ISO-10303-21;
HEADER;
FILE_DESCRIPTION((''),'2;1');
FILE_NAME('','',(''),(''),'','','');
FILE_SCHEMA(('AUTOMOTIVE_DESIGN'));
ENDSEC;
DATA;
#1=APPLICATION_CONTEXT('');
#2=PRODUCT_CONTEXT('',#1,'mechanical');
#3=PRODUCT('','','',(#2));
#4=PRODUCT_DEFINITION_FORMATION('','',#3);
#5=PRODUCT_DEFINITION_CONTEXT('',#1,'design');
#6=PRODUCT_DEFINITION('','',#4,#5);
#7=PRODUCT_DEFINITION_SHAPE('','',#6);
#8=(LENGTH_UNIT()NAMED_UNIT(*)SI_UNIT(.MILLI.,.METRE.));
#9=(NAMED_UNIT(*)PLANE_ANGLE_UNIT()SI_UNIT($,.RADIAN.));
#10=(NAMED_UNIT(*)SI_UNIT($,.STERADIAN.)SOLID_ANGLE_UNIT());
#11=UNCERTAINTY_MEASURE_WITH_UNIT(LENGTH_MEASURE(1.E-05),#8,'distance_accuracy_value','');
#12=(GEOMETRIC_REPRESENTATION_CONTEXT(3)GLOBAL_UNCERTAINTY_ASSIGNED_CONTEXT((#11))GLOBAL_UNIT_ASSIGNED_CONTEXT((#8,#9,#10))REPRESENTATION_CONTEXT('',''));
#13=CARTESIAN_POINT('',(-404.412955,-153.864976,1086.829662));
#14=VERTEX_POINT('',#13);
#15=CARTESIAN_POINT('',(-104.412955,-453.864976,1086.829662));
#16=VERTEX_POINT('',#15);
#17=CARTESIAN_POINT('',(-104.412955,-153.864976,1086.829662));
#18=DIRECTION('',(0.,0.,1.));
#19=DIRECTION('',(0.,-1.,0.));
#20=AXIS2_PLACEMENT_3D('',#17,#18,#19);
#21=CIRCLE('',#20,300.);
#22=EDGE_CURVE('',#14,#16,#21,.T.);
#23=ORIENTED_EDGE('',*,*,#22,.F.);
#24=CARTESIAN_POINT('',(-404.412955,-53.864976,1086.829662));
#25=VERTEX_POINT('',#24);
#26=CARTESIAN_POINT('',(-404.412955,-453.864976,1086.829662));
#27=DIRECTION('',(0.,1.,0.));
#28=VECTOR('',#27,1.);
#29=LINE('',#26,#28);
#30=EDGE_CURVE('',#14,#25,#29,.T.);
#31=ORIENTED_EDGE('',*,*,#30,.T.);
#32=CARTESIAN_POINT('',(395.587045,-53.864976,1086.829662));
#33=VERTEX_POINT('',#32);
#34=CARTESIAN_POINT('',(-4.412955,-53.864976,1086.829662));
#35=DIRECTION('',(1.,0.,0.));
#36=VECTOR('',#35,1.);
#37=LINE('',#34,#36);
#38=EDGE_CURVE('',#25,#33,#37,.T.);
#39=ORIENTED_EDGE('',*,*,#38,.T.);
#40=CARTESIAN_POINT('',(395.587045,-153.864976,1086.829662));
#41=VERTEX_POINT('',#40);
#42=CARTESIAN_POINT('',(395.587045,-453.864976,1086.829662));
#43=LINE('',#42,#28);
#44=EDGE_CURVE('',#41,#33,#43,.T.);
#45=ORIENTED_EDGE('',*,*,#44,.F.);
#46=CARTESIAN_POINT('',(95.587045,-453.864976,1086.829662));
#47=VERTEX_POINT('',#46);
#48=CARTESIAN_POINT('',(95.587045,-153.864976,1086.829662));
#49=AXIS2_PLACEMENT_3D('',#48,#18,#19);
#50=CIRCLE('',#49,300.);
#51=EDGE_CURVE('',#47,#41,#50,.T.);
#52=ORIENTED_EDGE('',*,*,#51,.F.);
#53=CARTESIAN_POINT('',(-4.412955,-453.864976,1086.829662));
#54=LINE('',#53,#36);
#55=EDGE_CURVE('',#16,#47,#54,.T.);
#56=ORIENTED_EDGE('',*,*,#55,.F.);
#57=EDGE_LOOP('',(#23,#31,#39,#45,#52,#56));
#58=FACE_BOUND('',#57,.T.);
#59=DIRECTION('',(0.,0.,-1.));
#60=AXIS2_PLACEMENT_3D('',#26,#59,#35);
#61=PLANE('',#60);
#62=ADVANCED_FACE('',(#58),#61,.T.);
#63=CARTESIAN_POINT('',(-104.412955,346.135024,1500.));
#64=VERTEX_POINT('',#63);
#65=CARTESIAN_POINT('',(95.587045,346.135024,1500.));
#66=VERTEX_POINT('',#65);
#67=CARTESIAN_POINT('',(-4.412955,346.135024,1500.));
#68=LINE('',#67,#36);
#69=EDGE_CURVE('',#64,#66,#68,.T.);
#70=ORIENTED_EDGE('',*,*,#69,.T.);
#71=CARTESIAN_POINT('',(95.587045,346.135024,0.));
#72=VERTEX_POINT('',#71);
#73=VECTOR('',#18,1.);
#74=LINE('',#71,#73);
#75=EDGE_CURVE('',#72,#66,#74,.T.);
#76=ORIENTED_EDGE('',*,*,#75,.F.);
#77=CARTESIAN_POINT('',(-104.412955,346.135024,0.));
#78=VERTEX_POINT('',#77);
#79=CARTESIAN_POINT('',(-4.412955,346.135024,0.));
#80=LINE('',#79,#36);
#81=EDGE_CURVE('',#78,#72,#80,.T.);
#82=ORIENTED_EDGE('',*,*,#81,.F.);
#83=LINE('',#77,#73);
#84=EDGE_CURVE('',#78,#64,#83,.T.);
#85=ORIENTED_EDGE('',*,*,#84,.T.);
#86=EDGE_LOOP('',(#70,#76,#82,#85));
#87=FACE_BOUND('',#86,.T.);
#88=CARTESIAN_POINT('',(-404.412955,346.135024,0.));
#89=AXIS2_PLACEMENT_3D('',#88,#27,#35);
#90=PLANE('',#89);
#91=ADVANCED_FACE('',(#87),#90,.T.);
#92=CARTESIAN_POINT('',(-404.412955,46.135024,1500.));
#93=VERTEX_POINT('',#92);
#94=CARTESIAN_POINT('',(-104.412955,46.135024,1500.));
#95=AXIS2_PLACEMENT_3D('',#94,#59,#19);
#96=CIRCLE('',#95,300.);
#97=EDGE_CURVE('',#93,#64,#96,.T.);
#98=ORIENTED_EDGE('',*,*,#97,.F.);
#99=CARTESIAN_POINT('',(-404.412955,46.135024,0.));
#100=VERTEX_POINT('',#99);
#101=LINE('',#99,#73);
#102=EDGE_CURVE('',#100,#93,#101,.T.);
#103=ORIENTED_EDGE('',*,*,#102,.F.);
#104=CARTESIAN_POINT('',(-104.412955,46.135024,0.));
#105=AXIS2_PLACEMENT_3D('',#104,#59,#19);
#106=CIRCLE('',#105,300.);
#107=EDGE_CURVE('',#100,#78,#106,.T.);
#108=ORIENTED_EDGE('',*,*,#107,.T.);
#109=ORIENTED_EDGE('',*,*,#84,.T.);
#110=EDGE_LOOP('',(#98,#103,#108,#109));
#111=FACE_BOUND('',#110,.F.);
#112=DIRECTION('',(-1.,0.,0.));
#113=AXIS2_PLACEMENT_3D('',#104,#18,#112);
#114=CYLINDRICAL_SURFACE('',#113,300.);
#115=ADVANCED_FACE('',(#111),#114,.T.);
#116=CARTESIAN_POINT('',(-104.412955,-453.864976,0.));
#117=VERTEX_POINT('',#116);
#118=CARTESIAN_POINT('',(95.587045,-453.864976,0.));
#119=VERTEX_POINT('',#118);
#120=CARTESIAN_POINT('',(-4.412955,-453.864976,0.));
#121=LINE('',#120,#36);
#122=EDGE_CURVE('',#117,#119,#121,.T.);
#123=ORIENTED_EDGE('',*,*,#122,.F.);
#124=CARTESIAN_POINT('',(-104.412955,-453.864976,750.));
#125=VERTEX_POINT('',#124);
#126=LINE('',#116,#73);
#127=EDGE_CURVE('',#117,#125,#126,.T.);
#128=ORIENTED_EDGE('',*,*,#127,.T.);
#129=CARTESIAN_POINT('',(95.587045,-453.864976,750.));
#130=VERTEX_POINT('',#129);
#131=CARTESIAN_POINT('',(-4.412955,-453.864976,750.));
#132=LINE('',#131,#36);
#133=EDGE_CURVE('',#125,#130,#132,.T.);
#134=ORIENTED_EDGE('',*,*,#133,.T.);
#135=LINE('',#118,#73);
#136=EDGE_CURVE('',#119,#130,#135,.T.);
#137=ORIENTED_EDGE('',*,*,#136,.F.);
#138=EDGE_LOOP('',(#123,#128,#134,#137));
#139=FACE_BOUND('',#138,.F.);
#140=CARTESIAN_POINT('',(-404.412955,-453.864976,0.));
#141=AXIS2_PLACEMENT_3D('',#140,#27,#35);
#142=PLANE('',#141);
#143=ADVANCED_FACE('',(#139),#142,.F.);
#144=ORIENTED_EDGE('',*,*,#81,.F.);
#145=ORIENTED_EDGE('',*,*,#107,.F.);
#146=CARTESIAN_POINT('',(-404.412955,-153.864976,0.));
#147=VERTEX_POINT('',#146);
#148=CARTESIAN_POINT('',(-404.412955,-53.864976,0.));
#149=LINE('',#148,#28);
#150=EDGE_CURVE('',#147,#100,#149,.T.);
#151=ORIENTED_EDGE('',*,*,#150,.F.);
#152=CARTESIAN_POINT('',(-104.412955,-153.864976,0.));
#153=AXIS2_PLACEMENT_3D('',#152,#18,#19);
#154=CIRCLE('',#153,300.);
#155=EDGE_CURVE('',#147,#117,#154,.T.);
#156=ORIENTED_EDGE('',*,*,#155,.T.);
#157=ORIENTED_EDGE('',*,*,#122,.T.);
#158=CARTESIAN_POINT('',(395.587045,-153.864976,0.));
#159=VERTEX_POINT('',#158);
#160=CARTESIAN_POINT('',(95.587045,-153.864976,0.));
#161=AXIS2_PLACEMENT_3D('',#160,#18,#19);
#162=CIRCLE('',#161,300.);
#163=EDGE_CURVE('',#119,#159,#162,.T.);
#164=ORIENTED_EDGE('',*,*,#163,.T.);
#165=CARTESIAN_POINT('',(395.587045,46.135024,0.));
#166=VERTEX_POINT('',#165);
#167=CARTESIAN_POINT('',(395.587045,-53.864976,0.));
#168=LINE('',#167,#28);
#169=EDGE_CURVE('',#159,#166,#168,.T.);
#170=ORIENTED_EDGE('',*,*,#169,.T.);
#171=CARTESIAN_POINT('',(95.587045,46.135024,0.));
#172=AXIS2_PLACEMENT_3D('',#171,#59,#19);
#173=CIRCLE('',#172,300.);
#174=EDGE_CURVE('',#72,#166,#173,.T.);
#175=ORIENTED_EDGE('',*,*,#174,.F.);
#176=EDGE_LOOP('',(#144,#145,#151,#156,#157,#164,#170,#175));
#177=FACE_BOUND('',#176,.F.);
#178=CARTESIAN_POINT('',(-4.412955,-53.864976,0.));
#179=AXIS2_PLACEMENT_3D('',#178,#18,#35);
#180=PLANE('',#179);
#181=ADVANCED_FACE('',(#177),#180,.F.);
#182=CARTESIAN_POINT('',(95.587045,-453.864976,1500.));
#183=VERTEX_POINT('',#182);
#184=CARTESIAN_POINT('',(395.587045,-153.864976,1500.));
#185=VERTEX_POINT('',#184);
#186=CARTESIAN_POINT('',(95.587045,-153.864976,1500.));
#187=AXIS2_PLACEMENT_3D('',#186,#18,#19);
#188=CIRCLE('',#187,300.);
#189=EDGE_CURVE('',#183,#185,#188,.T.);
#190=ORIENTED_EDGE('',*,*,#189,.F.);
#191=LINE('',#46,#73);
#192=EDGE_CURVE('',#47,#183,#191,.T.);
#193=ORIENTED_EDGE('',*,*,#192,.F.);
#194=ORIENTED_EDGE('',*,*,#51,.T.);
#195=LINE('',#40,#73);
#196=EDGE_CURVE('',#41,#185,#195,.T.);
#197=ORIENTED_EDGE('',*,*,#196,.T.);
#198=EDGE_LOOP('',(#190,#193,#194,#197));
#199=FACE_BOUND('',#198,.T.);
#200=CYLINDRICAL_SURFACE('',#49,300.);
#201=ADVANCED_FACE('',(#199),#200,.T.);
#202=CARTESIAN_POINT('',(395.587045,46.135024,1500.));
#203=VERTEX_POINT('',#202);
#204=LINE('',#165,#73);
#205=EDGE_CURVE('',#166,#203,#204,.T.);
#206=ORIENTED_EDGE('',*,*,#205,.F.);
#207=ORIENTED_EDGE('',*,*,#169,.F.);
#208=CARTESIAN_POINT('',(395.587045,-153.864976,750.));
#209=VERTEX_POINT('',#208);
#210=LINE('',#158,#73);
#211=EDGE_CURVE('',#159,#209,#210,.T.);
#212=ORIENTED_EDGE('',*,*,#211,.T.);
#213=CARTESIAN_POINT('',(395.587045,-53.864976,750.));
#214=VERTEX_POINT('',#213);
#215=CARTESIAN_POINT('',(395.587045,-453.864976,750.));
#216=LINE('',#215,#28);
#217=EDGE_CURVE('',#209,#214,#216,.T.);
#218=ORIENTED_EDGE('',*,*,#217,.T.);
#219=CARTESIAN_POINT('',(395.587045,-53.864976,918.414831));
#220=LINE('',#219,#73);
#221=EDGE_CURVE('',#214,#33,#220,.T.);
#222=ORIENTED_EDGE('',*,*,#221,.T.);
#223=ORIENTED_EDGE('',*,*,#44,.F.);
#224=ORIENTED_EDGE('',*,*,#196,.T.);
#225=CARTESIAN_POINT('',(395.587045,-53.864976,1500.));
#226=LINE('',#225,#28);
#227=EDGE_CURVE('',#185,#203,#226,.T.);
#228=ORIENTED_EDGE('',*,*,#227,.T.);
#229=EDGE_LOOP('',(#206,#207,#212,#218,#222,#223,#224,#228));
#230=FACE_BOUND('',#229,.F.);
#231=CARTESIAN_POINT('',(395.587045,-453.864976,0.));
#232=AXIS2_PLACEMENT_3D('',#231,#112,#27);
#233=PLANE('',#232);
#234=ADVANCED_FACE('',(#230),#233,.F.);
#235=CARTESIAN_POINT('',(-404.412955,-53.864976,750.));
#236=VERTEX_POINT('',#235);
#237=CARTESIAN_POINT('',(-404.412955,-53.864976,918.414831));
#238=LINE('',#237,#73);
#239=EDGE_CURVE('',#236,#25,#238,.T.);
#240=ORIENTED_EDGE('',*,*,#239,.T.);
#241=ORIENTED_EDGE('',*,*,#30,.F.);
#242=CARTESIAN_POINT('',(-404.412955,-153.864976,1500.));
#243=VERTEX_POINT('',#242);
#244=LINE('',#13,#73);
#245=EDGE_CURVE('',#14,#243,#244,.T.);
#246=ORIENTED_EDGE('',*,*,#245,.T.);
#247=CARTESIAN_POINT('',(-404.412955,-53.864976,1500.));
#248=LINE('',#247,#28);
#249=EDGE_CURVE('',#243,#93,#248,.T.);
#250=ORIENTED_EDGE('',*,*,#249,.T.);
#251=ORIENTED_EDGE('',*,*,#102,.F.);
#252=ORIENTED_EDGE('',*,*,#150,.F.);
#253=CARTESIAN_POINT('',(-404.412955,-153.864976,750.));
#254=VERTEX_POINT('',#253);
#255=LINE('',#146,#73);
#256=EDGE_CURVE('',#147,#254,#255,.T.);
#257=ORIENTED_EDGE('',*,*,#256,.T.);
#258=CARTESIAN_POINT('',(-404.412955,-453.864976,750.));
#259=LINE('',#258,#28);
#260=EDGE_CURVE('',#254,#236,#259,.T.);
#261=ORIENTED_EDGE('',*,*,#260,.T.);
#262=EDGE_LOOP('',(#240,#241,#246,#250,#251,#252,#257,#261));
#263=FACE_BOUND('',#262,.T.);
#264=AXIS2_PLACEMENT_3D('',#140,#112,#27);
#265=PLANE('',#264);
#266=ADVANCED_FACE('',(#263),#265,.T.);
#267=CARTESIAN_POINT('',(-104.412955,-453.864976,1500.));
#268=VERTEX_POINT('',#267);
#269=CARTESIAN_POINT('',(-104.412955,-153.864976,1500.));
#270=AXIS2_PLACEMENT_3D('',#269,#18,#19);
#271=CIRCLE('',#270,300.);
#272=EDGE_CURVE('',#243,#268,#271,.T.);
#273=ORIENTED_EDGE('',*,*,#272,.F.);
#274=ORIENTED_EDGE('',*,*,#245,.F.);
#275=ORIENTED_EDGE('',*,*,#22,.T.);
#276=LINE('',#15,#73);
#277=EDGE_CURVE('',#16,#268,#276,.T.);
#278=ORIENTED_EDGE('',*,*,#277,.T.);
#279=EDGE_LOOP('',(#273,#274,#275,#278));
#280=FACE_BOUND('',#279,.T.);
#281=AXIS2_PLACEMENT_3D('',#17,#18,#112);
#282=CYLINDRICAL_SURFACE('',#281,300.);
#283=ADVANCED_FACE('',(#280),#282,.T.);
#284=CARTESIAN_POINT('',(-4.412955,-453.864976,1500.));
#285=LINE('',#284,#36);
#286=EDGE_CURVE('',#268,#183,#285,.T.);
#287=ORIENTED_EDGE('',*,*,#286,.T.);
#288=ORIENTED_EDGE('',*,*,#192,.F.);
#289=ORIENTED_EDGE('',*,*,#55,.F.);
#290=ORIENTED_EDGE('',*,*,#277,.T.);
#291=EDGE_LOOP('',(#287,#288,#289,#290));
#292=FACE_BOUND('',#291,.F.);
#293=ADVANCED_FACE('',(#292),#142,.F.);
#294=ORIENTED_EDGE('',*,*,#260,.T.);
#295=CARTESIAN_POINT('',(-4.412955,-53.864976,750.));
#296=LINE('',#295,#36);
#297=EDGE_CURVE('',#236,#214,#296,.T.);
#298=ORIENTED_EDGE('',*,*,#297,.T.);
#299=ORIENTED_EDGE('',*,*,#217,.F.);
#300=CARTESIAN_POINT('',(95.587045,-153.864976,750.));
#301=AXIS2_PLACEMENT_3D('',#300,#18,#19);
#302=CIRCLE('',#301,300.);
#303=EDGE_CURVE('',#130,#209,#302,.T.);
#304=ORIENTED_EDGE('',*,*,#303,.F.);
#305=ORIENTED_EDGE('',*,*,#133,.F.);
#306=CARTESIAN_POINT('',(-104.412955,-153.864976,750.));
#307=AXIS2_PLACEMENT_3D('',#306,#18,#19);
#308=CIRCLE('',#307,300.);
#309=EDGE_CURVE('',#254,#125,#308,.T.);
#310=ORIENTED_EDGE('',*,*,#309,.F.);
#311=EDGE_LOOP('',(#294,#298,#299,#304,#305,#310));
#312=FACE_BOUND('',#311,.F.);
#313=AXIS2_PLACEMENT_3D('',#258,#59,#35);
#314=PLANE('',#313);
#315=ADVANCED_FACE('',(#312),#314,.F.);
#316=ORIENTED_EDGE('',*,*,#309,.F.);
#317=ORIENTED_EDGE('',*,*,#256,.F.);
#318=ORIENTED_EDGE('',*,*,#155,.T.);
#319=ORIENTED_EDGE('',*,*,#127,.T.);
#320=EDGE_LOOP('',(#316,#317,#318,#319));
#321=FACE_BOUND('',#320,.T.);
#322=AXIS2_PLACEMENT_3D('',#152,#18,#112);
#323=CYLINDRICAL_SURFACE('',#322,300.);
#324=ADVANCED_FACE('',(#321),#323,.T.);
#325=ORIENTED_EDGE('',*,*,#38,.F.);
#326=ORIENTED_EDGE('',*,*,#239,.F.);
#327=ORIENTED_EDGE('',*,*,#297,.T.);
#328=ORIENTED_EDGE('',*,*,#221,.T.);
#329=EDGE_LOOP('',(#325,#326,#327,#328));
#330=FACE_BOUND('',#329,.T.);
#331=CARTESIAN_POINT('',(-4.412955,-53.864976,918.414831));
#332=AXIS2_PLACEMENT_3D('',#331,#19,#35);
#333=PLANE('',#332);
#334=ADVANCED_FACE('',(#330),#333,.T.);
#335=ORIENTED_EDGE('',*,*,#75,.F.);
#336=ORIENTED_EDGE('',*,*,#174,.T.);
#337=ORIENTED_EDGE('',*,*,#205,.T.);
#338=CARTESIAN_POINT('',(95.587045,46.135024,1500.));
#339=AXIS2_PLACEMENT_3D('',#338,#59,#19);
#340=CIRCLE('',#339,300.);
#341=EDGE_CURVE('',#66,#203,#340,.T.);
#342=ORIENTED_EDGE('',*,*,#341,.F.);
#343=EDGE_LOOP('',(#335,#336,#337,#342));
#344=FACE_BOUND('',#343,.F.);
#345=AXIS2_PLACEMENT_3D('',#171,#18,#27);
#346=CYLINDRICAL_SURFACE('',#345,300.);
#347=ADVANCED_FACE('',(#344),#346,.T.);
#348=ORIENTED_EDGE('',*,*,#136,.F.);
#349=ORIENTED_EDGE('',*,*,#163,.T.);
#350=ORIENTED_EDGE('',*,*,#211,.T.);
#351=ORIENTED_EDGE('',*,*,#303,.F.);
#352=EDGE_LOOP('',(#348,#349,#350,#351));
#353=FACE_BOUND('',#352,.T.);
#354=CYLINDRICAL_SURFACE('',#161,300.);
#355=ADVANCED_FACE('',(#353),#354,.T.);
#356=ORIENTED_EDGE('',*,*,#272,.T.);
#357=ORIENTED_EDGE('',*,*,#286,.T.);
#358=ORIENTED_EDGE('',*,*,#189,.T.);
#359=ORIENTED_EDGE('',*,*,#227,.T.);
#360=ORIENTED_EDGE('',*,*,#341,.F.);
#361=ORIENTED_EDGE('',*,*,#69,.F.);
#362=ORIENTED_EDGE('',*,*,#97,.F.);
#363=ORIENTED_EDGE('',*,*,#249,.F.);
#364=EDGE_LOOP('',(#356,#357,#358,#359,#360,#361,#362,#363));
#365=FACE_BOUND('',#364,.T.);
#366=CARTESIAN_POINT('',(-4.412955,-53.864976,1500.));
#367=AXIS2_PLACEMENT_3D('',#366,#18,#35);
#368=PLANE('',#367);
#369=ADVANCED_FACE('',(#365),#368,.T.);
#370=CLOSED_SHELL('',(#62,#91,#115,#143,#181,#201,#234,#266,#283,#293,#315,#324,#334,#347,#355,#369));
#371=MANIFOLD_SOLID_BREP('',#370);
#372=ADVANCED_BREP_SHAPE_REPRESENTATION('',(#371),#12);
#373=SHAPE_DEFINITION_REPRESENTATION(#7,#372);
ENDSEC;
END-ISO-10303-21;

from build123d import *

# Parameters (mm, degrees)
F0_W     = 800
F0_H     = 800
F1_DEPTH = 1500
F2_W     = 800
F2_H     = 336.829662323
F3_DEPTH = 400
F4_R     = 300


with BuildPart() as f1:
    # F0 (on Top) → F1 (new body)
    with BuildSketch(Plane.XY):
        with Locations((-4.4129546732, -53.8649755846)):
            Rectangle(F0_W, F0_H)
    extrude(amount=F1_DEPTH)

    # F2 (on face) → F3 (cut)
    with BuildSketch(Plane.XZ.offset(453.8649755846)):
        with Locations((-4.4129546732, 918.4148311615)):
            Rectangle(F2_W, F2_H)
    extrude(amount=-F3_DEPTH, mode=Mode.SUBTRACT)

    # F4
    f4_edges = [f1.edges().sort_by_distance(p)[0] for p in [
        (-404.412955, 346.135024, 750),
        (395.587045, 346.135024, 750),
        (-404.412955, -453.864976, 1293.414831),
        (-404.412955, -453.864976, 375),
        (395.587045, -453.864976, 1293.414831),
        (395.587045, -453.864976, 375),
    ]]
    fillet(f4_edges, radius=F4_R)


solid = f1.part
